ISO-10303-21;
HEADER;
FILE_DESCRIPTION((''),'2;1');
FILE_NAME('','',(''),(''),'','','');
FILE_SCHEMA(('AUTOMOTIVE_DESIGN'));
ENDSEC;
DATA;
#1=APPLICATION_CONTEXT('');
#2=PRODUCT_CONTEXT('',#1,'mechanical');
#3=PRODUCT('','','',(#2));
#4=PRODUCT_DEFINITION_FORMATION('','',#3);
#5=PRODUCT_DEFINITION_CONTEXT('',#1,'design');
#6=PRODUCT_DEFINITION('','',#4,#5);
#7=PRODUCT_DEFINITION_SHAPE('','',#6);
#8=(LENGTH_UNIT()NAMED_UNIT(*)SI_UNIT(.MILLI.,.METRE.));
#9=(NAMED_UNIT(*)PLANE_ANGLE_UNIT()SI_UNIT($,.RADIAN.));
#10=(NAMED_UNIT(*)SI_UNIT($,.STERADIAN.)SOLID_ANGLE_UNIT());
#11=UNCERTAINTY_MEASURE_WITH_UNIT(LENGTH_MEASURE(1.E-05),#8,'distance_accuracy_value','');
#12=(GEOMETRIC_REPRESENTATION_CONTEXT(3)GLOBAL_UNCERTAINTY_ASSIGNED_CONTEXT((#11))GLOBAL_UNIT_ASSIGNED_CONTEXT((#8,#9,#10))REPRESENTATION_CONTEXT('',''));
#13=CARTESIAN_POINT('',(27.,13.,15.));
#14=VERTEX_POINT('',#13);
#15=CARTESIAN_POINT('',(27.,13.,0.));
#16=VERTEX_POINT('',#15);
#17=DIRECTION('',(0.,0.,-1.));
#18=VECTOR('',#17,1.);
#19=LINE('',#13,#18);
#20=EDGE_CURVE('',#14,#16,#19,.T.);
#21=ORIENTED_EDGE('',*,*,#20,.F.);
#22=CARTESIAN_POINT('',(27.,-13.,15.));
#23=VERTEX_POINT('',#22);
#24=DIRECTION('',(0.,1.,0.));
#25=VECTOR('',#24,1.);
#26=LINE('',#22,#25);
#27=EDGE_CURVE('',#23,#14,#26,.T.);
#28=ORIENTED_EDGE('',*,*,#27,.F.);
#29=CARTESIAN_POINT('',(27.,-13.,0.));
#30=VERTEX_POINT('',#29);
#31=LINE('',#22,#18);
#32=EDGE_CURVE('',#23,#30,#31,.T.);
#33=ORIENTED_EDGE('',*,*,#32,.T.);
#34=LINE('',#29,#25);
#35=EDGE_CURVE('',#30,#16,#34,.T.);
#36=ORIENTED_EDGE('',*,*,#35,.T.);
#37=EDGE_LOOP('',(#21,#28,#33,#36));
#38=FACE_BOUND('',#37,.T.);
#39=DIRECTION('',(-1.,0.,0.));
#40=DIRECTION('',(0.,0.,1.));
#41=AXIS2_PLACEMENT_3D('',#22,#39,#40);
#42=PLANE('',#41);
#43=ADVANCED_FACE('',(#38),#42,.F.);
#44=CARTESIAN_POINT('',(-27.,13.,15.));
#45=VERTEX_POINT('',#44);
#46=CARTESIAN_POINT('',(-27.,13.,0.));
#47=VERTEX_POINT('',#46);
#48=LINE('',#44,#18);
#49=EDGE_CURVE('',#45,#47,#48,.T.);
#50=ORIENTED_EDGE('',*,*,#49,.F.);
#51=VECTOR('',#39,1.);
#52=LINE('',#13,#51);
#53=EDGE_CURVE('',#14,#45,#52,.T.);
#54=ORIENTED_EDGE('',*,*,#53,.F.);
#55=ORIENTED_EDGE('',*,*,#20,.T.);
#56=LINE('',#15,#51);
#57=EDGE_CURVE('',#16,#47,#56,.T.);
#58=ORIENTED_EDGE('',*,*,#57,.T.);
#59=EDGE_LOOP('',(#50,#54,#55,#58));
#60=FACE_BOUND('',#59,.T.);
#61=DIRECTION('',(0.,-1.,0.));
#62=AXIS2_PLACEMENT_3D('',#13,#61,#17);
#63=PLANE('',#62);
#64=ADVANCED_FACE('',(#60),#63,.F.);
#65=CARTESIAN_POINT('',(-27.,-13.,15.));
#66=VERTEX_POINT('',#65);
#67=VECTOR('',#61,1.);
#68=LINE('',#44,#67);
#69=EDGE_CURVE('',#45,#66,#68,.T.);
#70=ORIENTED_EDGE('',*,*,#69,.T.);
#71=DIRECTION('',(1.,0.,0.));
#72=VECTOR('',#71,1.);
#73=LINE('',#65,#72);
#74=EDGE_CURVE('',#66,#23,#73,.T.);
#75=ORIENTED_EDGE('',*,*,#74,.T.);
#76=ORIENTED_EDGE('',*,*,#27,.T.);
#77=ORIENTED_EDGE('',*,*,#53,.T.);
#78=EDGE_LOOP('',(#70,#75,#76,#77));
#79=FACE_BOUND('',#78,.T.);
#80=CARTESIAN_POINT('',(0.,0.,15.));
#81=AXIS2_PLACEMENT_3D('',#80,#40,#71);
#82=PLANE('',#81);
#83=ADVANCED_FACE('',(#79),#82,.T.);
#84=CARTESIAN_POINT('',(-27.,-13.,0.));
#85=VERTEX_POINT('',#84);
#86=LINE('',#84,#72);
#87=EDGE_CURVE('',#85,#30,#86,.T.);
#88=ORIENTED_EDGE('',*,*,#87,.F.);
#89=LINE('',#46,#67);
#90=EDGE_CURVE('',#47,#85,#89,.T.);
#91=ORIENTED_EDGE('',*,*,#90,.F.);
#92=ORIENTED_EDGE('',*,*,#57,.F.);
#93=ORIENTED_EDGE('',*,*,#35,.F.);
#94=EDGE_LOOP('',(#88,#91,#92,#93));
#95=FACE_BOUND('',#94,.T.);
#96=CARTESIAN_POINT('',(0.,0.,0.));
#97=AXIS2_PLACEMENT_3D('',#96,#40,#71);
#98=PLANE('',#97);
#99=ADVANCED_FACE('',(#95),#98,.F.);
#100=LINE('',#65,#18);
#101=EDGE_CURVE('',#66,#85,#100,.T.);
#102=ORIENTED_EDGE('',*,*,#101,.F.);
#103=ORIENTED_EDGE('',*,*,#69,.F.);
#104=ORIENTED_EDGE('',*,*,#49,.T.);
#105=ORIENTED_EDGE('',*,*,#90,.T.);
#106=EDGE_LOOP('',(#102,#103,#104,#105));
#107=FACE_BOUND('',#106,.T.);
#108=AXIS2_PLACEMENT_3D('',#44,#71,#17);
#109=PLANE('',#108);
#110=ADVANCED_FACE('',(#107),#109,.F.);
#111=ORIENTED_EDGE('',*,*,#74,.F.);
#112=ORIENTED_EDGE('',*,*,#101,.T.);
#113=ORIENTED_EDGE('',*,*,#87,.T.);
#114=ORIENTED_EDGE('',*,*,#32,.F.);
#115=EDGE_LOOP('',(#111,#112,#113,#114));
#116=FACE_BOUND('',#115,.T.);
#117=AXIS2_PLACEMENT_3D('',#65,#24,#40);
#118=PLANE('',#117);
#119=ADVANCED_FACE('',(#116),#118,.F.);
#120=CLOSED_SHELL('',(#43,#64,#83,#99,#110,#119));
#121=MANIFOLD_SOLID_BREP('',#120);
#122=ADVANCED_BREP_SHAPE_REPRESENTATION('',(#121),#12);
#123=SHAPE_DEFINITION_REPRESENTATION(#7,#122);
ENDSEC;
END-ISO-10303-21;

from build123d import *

# Parameters (mm, degrees)
CONTROLLER_AND_CONNECTOR_ENVELOPE_PROFIL_W = 54
CONTROLLER_AND_CONNECTOR_ENVELOPE_PROFIL_H = 26
CONTROLLER_AND_CONNECTOR_ENVELOPE_DEPTH    = 15


with BuildPart() as part:
    # Controller and connector envelope profile → Controller and connector envelope (new body)
    with BuildSketch(Plane.XY):
        Rectangle(CONTROLLER_AND_CONNECTOR_ENVELOPE_PROFIL_W, CONTROLLER_AND_CONNECTOR_ENVELOPE_PROFIL_H)
    extrude(amount=CONTROLLER_AND_CONNECTOR_ENVELOPE_DEPTH)


solid = part.part
